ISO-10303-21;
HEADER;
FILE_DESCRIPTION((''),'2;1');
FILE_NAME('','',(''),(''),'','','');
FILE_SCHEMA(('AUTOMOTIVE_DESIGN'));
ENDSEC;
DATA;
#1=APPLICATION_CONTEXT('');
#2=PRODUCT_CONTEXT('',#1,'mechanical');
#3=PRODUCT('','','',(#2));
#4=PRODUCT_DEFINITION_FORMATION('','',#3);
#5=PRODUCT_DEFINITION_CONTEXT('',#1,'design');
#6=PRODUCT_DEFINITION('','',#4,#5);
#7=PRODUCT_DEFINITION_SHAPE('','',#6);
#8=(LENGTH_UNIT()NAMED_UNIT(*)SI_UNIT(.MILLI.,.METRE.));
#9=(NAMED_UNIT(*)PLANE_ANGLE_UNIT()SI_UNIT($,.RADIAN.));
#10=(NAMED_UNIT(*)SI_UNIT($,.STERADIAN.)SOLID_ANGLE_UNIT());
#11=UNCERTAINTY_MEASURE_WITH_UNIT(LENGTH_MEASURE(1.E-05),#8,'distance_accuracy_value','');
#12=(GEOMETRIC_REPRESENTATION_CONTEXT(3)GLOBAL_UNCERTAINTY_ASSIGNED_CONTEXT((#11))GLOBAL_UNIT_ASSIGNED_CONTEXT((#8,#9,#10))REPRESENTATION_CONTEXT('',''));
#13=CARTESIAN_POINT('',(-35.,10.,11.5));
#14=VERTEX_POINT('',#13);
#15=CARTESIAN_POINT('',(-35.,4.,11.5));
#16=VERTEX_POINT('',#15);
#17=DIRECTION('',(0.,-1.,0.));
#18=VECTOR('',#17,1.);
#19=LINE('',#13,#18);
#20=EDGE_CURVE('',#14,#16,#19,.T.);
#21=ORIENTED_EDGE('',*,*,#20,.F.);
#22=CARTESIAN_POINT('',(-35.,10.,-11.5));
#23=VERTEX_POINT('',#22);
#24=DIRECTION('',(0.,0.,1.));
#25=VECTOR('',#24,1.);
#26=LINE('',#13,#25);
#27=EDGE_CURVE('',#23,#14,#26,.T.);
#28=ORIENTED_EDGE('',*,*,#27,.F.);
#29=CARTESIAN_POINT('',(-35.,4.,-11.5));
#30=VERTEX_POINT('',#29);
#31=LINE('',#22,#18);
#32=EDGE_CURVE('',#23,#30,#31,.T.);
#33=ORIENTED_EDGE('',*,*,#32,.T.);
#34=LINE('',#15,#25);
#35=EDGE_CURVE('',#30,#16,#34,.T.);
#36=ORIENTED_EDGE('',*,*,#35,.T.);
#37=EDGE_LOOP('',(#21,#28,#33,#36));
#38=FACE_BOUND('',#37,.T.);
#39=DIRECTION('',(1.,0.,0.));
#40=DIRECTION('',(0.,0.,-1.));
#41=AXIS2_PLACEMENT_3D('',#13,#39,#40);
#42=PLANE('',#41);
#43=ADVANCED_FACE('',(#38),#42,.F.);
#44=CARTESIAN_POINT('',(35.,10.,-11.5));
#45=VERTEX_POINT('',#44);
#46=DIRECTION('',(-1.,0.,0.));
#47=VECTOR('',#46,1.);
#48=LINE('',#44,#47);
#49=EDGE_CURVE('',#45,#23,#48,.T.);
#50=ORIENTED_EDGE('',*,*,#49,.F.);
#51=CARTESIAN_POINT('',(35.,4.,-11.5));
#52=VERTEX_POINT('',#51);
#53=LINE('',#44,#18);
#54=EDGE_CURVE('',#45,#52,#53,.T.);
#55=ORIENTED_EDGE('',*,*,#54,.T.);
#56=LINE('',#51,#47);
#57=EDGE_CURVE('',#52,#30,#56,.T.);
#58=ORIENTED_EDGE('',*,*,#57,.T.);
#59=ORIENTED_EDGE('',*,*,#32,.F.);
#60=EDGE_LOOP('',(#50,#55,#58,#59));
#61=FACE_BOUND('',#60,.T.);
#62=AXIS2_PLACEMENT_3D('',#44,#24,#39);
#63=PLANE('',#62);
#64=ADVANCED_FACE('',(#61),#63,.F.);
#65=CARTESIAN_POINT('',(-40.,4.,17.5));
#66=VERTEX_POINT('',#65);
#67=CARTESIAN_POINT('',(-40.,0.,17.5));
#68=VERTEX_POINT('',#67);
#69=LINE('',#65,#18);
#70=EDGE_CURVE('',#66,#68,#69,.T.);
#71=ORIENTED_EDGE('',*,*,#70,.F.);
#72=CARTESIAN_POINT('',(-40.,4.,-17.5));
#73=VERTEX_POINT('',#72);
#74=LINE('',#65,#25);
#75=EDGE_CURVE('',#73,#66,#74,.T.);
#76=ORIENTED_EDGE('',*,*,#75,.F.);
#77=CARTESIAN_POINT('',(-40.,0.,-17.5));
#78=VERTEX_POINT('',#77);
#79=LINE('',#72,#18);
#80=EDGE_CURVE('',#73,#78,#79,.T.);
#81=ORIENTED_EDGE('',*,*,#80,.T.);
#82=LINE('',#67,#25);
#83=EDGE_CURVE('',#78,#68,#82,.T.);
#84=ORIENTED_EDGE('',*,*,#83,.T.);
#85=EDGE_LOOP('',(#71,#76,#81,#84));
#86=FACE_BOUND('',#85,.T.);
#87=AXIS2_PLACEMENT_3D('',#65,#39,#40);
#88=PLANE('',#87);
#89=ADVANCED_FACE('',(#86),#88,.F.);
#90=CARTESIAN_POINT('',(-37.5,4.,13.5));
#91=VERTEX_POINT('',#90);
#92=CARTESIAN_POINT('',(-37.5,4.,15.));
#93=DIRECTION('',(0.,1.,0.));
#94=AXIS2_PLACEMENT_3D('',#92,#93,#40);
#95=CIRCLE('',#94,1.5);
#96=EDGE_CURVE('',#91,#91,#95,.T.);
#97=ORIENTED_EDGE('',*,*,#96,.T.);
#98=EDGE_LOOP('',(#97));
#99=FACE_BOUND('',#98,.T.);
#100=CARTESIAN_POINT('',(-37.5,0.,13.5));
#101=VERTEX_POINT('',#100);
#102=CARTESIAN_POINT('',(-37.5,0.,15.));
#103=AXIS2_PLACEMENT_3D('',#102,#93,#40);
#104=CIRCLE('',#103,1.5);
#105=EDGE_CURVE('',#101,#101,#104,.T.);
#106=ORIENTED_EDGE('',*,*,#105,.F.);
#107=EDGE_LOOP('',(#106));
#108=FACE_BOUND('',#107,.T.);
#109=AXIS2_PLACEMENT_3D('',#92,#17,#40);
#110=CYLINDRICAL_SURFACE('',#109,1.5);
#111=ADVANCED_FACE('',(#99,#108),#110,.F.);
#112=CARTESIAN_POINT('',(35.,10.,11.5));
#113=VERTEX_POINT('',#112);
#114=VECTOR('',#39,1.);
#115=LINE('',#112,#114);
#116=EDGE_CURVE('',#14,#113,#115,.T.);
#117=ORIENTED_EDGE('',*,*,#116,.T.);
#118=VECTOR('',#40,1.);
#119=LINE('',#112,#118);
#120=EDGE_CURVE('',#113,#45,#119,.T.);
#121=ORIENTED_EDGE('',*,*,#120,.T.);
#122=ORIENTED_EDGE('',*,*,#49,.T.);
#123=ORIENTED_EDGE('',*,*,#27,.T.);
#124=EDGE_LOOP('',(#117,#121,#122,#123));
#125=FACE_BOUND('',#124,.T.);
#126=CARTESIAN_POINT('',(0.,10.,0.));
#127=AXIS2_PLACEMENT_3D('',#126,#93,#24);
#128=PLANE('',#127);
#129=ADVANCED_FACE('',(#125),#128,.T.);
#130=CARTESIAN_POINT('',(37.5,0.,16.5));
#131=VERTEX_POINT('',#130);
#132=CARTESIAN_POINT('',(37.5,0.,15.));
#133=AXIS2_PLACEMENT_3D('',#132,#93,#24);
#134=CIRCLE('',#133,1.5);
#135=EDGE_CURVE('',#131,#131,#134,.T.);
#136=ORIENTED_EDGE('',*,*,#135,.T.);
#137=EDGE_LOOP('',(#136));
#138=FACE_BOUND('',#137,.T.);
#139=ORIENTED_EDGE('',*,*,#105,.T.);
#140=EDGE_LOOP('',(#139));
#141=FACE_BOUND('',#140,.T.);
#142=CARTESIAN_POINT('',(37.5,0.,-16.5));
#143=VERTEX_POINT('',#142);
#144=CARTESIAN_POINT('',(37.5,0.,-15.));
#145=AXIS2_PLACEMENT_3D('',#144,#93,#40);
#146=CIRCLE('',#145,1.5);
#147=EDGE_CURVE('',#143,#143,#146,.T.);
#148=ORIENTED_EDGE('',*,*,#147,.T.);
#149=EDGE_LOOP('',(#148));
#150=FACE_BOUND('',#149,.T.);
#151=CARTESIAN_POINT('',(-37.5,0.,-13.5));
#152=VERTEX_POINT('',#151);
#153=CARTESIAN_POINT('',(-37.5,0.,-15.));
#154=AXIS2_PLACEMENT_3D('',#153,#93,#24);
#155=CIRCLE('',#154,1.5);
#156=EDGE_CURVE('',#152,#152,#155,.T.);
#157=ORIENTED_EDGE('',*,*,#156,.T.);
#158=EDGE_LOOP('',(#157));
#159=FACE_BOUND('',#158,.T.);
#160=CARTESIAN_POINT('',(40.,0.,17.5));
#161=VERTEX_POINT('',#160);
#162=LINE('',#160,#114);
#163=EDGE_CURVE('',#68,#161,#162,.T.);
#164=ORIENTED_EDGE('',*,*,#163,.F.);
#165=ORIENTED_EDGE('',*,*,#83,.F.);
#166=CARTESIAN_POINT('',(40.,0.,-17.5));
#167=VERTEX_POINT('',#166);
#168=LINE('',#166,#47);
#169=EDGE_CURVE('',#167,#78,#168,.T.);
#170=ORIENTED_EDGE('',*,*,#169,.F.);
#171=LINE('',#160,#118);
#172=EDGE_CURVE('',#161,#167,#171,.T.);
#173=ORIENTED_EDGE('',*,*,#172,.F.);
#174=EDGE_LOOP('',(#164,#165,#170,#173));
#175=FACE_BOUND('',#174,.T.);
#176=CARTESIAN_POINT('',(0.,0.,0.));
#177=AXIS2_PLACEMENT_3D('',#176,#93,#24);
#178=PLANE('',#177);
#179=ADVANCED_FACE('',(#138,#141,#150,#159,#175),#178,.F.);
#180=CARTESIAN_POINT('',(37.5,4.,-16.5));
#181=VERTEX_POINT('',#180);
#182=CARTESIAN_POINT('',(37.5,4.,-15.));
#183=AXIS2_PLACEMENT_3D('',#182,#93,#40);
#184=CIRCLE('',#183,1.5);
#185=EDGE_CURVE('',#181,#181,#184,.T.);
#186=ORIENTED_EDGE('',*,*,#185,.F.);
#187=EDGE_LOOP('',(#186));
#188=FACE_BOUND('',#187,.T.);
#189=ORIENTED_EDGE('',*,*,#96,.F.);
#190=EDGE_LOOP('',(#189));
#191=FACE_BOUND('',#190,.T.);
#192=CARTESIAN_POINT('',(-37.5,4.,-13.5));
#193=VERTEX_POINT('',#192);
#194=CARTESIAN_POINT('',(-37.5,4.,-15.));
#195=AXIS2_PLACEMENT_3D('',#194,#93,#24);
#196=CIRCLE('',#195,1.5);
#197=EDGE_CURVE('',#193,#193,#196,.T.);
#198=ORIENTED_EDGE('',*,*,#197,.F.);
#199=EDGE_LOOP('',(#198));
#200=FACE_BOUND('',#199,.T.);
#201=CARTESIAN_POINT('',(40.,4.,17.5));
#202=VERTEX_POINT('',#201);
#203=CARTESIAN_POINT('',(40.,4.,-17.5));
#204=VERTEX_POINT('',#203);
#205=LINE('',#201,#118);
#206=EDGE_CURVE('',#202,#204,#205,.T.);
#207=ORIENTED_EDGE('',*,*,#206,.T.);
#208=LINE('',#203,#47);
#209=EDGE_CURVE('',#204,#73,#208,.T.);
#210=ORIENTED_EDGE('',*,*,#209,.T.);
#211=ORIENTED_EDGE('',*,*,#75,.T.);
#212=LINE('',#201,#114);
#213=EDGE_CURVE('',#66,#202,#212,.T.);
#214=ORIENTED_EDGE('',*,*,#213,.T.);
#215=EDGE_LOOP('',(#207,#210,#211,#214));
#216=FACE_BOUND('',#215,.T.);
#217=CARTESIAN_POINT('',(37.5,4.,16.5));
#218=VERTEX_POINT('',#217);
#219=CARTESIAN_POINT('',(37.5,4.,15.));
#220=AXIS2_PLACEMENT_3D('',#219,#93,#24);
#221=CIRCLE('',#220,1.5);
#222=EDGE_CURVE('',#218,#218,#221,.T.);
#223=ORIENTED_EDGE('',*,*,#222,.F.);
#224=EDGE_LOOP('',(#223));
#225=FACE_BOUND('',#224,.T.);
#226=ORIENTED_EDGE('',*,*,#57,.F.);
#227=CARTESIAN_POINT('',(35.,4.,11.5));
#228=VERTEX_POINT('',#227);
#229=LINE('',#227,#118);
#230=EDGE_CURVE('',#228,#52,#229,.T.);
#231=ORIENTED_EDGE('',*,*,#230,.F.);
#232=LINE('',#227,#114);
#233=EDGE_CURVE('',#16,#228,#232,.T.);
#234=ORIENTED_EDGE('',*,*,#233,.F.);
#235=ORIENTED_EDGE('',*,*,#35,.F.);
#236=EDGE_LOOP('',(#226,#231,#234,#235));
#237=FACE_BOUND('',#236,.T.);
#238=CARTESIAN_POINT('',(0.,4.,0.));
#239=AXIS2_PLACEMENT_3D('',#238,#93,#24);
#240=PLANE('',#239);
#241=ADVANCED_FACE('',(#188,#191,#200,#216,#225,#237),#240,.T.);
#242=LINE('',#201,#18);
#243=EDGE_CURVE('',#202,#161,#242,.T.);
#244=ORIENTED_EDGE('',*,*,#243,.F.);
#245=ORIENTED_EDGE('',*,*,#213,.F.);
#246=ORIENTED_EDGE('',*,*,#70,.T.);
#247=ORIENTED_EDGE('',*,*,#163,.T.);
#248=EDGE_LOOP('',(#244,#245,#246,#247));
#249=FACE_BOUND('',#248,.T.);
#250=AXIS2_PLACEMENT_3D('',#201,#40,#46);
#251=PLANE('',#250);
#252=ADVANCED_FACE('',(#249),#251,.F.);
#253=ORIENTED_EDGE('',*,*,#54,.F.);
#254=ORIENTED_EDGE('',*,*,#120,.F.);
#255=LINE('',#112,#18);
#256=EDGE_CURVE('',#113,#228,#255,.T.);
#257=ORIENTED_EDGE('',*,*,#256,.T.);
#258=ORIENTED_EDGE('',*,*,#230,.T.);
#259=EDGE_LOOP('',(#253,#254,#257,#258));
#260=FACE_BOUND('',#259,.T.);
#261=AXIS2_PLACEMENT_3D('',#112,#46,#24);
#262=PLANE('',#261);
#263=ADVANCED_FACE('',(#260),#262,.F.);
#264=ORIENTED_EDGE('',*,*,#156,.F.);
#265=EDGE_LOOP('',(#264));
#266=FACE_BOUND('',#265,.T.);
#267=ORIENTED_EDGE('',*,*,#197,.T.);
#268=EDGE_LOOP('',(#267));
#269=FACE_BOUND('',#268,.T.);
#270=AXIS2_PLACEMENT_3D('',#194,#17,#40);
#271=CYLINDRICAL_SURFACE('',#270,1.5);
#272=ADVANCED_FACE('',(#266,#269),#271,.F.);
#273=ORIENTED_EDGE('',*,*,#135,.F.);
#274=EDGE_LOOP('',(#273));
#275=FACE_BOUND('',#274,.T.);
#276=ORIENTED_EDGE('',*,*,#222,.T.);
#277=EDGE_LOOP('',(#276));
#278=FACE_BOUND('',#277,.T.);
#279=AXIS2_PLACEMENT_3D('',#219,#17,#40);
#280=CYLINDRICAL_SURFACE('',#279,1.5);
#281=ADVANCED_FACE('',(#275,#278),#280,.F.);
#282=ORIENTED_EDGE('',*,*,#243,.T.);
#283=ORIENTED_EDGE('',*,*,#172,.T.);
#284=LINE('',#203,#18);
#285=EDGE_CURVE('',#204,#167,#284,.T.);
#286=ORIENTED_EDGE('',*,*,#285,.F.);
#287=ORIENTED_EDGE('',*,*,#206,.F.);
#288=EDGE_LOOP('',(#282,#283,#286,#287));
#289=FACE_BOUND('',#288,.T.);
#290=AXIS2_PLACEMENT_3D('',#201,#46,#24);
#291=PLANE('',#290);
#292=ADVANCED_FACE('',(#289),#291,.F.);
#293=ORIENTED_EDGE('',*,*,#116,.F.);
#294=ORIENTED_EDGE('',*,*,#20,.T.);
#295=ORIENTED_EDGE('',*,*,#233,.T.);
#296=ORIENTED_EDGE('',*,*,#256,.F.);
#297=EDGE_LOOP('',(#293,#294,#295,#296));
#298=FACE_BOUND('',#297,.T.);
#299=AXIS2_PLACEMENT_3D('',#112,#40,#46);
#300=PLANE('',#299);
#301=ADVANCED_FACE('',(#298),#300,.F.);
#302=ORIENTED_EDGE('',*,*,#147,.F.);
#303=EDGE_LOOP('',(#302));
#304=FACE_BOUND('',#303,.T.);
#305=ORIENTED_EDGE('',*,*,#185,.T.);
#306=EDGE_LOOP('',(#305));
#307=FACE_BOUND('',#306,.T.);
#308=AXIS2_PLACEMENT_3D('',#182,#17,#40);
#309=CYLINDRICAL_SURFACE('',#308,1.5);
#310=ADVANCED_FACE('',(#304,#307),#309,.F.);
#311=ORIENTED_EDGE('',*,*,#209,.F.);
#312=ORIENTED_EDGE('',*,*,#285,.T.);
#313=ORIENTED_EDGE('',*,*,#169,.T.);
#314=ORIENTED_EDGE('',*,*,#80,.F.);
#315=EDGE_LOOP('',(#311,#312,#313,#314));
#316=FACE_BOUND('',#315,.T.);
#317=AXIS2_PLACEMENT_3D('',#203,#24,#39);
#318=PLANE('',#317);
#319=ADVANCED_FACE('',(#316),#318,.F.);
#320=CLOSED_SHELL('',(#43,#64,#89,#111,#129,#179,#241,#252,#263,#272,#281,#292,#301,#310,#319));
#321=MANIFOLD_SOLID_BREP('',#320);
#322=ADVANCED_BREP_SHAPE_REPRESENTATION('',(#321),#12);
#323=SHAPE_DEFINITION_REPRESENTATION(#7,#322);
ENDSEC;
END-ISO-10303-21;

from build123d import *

# Parameters (mm, degrees)
SZKIC1_W                    = 80
SZKIC1_H                    = 35
SZKIC1_R                    = 1.5
DODANIE_WYCI_GNI_CIE1_DEPTH = 4
SZKIC2_W                    = 70
SZKIC2_H                    = 23
DODANIE_WYCI_GNI_CIE2_DEPTH = 6


with BuildPart() as part:
    # Szkic1 → Dodanie-wyciągnięcie1 (new body)
    with BuildSketch(Plane(origin=(0, 0, 0), x_dir=(1, 0, 0), z_dir=(0, 1, 0))):
        Rectangle(SZKIC1_W, SZKIC1_H)
        with Locations((-37.5, 15)):
            Circle(SZKIC1_R, mode=Mode.SUBTRACT)
        with Locations((-37.5, -15)):
            Circle(SZKIC1_R, mode=Mode.SUBTRACT)
        with Locations((37.5, -15)):
            Circle(SZKIC1_R, mode=Mode.SUBTRACT)
        with Locations((37.5, 15)):
            Circle(SZKIC1_R, mode=Mode.SUBTRACT)
    extrude(amount=DODANIE_WYCI_GNI_CIE1_DEPTH)

    # Szkic2 → Dodanie-wyciągnięcie2 (add)
    with BuildSketch(Plane(origin=(0, 4, 0), x_dir=(1, 0, 0), z_dir=(0, 1, 0))):
        Rectangle(SZKIC2_W, SZKIC2_H)
    extrude(amount=DODANIE_WYCI_GNI_CIE2_DEPTH)


solid = part.part
